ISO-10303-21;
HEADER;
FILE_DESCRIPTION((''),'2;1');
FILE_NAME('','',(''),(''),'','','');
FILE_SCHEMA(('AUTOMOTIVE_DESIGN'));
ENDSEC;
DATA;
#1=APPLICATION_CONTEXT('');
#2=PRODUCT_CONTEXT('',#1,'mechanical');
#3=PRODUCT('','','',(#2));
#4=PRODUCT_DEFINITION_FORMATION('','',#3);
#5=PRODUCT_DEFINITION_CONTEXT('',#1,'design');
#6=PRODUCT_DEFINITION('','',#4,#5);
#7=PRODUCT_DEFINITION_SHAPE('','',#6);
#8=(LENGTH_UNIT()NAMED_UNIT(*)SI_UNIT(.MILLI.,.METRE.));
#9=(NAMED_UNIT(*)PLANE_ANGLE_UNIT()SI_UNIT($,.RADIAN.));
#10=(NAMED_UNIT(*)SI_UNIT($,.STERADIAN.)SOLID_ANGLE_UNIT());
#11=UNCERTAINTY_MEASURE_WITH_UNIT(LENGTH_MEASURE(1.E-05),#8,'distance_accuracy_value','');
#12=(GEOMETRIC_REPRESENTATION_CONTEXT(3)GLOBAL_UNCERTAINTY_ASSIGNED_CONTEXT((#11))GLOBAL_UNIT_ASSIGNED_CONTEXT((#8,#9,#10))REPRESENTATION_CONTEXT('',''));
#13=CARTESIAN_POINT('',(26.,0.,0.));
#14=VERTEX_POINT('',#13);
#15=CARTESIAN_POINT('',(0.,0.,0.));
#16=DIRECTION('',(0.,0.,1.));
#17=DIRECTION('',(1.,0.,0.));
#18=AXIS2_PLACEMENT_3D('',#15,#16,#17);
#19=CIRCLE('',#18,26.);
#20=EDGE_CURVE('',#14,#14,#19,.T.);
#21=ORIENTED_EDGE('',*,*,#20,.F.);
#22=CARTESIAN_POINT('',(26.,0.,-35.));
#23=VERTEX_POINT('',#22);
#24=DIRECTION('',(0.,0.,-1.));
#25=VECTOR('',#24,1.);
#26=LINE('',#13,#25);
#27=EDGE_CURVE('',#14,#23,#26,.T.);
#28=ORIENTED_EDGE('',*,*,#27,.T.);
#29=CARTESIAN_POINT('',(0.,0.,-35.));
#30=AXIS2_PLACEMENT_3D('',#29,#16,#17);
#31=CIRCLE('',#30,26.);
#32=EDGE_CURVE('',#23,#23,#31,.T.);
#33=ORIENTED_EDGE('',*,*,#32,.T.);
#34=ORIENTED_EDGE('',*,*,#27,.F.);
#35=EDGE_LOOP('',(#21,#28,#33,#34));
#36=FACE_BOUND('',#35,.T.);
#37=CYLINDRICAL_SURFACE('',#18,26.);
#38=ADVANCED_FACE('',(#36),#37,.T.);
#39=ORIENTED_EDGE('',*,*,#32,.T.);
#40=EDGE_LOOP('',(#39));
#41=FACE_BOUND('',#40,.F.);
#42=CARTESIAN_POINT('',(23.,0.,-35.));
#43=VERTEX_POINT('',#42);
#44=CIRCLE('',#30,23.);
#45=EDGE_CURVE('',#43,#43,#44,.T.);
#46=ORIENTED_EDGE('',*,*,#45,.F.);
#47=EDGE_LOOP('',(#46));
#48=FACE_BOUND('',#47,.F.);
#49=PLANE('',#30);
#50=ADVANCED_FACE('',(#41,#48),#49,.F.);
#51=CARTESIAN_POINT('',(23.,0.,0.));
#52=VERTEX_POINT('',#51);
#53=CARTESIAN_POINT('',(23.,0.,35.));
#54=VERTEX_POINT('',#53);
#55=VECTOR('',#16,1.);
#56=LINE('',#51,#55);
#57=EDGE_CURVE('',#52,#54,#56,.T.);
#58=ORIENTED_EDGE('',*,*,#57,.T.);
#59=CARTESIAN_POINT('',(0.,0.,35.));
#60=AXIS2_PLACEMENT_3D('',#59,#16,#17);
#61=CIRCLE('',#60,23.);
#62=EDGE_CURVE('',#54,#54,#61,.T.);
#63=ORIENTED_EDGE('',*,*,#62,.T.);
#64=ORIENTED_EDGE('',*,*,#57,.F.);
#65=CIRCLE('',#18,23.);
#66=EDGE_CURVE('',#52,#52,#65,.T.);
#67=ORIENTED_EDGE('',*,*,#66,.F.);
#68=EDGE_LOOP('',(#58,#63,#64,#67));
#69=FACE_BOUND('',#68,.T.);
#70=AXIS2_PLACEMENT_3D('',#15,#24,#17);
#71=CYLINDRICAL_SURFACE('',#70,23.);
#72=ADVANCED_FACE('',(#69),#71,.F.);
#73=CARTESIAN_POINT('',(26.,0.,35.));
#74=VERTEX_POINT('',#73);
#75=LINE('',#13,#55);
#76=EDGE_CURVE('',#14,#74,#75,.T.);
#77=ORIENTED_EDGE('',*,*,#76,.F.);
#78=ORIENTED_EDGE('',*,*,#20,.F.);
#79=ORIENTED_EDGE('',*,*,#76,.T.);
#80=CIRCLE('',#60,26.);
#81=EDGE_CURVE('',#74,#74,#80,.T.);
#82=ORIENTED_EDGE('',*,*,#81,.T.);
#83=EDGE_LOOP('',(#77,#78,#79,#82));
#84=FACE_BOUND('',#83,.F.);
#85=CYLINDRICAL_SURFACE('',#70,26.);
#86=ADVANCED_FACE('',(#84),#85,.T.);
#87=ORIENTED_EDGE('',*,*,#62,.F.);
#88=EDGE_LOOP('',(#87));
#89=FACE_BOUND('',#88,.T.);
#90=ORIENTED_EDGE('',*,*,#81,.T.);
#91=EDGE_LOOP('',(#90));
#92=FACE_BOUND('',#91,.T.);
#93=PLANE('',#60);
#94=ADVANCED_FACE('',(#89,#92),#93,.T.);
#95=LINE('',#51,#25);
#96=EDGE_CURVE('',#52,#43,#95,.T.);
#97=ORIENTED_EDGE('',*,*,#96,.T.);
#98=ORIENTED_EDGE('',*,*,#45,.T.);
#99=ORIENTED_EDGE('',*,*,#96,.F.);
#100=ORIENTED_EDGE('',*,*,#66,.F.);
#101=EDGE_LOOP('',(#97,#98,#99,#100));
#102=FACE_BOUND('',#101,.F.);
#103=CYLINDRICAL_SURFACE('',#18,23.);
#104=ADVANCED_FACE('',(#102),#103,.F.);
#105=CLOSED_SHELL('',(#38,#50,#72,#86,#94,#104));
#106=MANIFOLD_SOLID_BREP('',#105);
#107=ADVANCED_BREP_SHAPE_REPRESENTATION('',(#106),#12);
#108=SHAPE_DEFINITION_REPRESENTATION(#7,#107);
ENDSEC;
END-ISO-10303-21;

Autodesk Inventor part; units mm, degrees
ref_plane "YZ Plane" through (0, 0, 0) normal (1, 0, 0) x (0, 1, 0)
ref_plane "XZ Plane" through (0, 0, 0) normal (0, 1, 0) x (-1, 0, 0)
ref_plane "XY Plane" through (0, 0, 0) normal (0, 0, 1) x (1, 0, 0)
sketch "Esboço2" plane through (0, 0, 0) normal (0, 0, 1) x (1, 0, 0)
  circle A0 centre (0, 0) radius 23
  circle A1 centre (0, 0) radius 26
  dimension "d4" = 46
  dimension "d5" = 52
extrude "Extrusão2" add sketch "Esboço2" along normal mid plane 70
properties part number "Bucha_Principal_Pistão"
